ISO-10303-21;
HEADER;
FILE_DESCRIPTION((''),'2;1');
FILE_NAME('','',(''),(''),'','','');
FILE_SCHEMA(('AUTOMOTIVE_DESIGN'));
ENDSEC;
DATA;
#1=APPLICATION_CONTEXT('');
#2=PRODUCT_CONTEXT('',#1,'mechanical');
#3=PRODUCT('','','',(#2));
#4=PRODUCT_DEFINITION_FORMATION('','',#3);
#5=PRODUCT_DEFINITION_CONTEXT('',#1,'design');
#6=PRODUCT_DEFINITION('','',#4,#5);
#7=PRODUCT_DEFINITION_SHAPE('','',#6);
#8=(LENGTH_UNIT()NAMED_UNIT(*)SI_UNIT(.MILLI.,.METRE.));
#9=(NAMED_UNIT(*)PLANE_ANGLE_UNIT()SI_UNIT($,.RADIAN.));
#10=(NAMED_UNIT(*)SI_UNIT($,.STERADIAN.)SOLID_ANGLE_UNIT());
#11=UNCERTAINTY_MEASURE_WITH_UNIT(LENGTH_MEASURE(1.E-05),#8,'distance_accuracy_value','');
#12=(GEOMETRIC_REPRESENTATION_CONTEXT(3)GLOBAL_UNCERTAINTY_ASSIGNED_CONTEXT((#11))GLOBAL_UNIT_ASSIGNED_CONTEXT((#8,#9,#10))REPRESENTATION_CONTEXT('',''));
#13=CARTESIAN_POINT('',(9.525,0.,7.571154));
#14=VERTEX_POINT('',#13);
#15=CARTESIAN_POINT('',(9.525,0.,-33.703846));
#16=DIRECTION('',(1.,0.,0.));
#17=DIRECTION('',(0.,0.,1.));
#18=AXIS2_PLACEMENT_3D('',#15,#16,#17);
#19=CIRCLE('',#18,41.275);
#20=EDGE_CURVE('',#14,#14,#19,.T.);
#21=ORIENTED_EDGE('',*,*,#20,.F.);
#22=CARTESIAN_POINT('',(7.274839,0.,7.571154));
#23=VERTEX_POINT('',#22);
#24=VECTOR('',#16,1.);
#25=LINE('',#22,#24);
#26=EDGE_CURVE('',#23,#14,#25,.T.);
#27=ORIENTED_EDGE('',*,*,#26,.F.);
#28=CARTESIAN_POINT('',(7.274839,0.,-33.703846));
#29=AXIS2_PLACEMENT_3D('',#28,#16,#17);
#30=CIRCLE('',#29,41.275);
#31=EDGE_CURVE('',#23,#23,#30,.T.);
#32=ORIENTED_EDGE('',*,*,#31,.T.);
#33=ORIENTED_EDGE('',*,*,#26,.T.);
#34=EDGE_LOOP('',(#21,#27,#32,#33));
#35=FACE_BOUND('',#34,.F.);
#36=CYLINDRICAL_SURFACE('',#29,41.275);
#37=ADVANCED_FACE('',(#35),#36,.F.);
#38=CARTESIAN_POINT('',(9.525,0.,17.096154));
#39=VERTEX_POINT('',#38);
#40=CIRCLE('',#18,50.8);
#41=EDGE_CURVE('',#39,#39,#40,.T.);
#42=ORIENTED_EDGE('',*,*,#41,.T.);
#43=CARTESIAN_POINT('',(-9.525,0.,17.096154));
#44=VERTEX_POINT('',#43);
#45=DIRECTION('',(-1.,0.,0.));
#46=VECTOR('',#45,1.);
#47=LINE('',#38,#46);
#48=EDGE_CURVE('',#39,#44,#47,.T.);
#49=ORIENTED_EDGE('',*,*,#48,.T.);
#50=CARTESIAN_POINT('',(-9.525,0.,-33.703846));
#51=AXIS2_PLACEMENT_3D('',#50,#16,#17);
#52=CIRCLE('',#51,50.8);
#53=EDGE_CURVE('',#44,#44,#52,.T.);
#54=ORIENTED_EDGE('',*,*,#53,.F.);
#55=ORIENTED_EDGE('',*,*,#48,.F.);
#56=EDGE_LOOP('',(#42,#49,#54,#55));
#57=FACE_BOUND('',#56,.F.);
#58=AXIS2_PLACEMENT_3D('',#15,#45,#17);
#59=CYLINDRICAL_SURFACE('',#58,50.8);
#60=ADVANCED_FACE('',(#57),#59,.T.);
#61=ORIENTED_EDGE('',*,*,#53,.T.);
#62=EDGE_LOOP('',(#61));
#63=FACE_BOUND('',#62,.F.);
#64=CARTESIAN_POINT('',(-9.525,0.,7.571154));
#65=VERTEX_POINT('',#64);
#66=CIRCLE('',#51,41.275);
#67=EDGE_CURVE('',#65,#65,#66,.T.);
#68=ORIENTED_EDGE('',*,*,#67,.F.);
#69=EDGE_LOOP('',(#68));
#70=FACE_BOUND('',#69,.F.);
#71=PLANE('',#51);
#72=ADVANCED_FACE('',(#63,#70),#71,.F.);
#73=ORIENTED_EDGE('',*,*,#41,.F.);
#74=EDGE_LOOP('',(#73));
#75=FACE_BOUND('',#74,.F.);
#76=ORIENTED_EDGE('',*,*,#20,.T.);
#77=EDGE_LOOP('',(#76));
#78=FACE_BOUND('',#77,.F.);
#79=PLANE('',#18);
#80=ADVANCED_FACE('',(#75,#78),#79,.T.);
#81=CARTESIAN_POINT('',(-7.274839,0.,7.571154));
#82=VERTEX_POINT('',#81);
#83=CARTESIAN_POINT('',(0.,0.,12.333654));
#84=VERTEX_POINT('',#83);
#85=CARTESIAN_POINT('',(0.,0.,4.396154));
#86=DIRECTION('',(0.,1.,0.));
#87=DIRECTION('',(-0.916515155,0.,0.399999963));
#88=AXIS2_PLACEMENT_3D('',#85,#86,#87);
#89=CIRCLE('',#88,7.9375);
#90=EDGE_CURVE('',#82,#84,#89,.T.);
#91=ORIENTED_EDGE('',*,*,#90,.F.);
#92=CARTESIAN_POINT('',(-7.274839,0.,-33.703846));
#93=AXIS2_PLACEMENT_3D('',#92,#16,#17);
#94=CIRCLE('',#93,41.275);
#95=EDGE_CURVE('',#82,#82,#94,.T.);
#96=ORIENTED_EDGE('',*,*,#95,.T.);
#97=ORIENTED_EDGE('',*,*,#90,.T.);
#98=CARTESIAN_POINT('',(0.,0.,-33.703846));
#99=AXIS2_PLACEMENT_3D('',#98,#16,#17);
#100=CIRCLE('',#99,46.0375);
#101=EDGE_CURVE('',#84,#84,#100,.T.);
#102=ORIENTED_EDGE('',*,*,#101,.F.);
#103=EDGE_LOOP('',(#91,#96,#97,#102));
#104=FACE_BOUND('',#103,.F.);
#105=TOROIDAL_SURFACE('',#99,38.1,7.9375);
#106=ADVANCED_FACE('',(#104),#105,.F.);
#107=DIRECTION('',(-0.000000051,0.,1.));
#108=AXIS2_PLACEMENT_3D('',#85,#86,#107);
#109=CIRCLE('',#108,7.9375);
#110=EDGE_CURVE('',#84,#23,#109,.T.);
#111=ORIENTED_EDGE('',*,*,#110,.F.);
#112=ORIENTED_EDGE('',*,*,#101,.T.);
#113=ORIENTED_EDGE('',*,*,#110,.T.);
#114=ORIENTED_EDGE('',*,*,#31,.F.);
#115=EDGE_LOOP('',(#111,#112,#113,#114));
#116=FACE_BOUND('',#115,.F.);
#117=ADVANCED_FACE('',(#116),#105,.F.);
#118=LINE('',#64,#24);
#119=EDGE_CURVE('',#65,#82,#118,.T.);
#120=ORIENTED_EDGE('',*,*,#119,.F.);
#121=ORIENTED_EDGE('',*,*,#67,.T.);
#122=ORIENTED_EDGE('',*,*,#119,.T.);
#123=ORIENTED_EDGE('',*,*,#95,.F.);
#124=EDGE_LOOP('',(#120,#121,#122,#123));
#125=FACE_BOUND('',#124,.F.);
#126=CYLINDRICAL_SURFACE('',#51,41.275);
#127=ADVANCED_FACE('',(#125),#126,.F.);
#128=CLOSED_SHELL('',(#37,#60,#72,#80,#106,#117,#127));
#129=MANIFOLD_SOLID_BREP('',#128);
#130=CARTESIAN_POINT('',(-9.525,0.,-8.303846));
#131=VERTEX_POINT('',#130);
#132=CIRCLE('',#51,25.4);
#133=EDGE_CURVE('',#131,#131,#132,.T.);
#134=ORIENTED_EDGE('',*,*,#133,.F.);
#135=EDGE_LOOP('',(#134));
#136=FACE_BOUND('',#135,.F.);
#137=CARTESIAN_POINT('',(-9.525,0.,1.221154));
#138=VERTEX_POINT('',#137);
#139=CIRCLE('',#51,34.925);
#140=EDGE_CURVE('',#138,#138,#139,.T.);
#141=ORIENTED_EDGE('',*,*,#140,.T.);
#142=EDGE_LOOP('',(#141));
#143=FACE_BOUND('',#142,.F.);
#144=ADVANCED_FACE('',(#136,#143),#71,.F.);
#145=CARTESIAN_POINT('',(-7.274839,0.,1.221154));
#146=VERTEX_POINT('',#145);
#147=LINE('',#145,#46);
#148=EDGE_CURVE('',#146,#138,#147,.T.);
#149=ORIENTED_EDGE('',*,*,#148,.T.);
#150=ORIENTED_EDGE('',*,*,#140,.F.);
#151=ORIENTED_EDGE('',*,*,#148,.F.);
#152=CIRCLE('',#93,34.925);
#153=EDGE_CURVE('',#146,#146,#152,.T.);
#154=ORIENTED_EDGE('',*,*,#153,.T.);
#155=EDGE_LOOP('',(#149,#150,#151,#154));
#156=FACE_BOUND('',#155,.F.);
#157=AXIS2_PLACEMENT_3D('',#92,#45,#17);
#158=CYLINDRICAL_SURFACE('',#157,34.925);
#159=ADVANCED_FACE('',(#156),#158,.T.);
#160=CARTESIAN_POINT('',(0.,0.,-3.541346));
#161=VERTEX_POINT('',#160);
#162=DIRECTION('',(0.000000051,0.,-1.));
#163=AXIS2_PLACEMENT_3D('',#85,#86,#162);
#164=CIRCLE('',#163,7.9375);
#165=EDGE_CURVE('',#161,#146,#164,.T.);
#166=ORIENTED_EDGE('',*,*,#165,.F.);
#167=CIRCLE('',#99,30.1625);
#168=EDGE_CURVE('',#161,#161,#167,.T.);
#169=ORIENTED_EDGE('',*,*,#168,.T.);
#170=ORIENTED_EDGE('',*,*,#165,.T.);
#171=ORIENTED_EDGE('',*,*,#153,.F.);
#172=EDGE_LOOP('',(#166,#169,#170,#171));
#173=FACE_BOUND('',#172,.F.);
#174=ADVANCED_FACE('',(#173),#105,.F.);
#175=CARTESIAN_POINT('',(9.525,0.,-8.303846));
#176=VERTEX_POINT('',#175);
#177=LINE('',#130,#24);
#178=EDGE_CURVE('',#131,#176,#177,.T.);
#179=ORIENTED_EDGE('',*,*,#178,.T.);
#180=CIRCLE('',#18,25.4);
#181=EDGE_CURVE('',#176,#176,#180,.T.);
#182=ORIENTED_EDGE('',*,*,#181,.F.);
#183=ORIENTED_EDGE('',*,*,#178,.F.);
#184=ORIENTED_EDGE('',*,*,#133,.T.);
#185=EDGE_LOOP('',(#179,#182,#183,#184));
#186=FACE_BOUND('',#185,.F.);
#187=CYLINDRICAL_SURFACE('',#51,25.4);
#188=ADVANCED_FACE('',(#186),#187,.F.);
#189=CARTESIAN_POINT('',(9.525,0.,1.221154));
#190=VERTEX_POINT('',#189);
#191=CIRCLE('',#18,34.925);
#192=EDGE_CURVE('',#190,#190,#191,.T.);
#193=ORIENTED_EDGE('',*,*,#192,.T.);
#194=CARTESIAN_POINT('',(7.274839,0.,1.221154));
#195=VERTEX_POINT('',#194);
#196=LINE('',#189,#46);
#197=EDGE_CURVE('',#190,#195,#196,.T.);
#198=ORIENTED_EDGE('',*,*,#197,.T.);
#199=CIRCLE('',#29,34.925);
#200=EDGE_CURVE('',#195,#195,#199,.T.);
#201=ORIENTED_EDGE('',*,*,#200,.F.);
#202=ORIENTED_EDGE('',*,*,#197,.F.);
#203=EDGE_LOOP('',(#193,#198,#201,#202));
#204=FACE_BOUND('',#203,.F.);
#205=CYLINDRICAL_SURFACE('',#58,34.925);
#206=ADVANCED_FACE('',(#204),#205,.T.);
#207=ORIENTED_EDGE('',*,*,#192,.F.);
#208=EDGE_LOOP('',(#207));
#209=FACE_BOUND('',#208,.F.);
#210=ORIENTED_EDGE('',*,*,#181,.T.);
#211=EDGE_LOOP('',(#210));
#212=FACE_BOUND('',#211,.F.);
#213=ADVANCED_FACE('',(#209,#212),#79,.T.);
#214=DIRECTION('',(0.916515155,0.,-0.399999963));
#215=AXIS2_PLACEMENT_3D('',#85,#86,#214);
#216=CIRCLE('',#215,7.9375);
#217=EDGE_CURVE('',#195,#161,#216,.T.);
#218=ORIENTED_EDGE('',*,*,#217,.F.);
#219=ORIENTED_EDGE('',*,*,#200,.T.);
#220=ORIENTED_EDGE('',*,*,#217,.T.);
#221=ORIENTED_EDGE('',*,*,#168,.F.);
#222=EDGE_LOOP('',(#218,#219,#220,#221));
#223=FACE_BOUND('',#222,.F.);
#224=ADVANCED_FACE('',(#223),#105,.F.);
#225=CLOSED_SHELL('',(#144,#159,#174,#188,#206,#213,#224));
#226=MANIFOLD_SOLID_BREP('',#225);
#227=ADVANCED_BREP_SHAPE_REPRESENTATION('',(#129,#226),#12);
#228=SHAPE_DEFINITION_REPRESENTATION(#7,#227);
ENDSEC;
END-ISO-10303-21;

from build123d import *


with BuildPart() as f1:
    # F0 (on Front) → F1 (revolve)
    with BuildSketch(Plane.XZ):
        with BuildLine():
            Line((9.525, 17.096154), (-9.525, 17.096154))
            Line((-9.525, 17.096154), (-9.525, 7.571154))
            Line((-9.525, 7.571154), (-7.274839, 7.571154))
            ThreePointArc((-7.274839, 7.571154), (-4.347548, 11.037143), (0, 12.333654))
            ThreePointArc((0, 12.333654), (4.347548, 11.037143), (7.274839, 7.571154))
            Line((7.274839, 7.571154), (9.525, 7.571154))
            Line((9.525, 7.571154), (9.525, 17.096154))
        make_face()
        with BuildLine():
            ThreePointArc((0, -3.541346), (-4.347548, -2.244835), (-7.274839, 1.221154))
            Line((-7.274839, 1.221154), (-9.525, 1.221154))
            Line((-9.525, 1.221154), (-9.525, -8.303846))
            Line((-9.525, -8.303846), (9.525, -8.303846))
            Line((9.525, -8.303846), (9.525, 1.221154))
            Line((9.525, 1.221154), (7.274839, 1.221154))
            ThreePointArc((7.274839, 1.221154), (4.347548, -2.244835), (0, -3.541346))
        make_face()
    revolve(axis=Axis((0, 0, -33.703846), (1, 0, 0)))


solid = f1.part
